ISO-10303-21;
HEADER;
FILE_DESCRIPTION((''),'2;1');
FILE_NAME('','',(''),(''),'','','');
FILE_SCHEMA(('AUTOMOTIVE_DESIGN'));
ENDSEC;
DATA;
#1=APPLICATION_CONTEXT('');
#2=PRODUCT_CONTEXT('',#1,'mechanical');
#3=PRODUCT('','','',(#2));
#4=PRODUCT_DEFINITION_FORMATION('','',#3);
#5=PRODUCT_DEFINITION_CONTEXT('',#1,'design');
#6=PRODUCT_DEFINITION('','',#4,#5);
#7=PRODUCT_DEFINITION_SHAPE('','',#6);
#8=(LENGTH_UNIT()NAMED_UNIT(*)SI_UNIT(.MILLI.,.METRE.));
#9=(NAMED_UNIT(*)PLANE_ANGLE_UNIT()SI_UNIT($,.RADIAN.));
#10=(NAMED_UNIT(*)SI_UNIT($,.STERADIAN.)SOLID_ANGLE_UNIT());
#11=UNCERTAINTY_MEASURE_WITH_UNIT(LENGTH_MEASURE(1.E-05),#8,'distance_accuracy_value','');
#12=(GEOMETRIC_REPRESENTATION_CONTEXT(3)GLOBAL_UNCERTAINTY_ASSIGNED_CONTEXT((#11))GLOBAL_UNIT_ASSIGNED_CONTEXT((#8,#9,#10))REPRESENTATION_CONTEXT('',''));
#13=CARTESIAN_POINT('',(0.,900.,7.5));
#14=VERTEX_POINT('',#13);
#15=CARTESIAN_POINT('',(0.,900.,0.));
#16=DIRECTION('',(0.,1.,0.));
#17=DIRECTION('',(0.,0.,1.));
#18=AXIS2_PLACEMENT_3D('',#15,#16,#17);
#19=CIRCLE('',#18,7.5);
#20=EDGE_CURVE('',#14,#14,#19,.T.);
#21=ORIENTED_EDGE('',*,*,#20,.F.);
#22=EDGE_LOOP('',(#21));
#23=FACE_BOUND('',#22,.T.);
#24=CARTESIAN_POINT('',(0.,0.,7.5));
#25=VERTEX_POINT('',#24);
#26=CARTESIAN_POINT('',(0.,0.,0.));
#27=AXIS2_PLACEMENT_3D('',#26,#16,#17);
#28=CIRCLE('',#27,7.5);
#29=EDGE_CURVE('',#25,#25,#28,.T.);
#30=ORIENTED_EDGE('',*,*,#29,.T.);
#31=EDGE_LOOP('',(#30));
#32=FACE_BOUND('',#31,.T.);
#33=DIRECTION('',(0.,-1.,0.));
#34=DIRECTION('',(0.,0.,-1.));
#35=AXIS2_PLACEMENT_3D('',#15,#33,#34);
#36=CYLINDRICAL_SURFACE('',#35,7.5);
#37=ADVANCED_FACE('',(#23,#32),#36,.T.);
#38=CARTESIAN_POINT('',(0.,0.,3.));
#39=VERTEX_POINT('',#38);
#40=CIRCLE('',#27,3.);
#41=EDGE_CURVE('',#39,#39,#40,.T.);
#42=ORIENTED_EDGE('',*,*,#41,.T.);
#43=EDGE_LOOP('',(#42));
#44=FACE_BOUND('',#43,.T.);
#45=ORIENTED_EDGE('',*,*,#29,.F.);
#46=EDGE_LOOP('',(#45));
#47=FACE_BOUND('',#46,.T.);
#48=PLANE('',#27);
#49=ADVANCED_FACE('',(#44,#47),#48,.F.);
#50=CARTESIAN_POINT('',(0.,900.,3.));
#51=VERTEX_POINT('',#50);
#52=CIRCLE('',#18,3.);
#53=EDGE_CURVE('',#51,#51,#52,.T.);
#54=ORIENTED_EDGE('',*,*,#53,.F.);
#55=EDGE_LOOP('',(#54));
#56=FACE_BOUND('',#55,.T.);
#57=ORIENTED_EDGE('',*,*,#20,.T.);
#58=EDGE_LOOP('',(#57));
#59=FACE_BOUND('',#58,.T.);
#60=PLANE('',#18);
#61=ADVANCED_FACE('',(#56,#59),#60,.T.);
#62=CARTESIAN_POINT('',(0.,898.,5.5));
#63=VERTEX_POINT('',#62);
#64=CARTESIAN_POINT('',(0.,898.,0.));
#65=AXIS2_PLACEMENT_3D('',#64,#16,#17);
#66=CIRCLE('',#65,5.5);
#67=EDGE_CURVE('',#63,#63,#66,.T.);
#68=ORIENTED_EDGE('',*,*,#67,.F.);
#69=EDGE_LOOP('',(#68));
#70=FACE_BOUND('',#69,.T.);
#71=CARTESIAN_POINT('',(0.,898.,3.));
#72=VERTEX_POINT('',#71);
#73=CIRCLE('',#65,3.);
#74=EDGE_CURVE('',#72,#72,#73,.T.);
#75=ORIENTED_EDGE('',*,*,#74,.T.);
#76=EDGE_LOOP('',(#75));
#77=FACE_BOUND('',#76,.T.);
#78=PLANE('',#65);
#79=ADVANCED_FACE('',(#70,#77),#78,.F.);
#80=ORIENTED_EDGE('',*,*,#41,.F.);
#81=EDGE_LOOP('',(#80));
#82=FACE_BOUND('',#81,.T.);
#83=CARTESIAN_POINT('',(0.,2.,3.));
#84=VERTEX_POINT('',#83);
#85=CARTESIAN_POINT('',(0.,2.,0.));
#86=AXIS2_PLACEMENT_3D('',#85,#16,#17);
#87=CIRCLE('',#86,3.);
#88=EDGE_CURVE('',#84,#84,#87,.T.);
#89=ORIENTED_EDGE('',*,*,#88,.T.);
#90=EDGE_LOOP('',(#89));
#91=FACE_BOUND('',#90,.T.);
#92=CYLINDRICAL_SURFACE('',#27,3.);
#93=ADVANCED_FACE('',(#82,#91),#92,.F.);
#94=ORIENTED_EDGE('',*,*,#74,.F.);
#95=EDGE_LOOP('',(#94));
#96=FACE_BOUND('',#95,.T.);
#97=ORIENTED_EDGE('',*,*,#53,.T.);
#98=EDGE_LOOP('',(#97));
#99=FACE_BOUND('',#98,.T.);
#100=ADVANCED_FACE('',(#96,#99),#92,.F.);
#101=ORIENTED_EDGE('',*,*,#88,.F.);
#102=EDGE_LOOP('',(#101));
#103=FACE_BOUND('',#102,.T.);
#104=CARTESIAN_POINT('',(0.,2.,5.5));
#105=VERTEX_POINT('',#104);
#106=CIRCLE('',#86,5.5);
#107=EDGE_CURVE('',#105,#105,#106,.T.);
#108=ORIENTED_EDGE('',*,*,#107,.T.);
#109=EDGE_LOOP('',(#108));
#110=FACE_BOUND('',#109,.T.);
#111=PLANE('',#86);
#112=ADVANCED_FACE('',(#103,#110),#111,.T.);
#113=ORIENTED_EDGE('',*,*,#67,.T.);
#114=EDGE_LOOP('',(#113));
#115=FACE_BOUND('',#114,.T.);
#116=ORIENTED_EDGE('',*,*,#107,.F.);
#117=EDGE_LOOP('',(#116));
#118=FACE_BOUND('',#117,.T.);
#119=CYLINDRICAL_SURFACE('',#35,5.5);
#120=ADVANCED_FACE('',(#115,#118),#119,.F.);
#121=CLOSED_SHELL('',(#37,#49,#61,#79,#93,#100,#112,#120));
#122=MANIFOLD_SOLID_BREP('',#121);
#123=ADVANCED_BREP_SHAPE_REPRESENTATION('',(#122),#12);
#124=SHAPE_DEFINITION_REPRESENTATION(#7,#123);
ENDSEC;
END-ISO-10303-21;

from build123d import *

# Parameters (mm, degrees)
SKETCH3_R               = 7.5
BOSS_EXTRUDE1_DEPTH     = 900
SHELL2_T                = 2
SKETCH4_R               = 3
CUT_EXTRUDE1_DEPTH      = 1
CUT_EXTRUDE1_DEPTH_BACK = 901


with BuildPart() as part:
    # Sketch3 → Boss-Extrude1 (new body)
    with BuildSketch(Plane(origin=(0, 0, 0), x_dir=(1, 0, 0), z_dir=(0, 1, 0))):
        Circle(SKETCH3_R)
    extrude(amount=BOSS_EXTRUDE1_DEPTH)

    # Shell2 (no face opened: a closed hollow body)
    add(offset(amount=-SHELL2_T, mode=Mode.PRIVATE), mode=Mode.SUBTRACT)

    # Sketch4 → Cut-Extrude1 (cut, two sides)
    with BuildSketch(Plane(origin=(0, 900, 0), x_dir=(1, 0, 0), z_dir=(0, 1, 0))) as cut_extrude1_sk:
        Circle(SKETCH4_R)
    extrude(amount=CUT_EXTRUDE1_DEPTH, mode=Mode.SUBTRACT)
    extrude(cut_extrude1_sk.sketch, amount=-CUT_EXTRUDE1_DEPTH_BACK, mode=Mode.SUBTRACT)


solid = part.part
